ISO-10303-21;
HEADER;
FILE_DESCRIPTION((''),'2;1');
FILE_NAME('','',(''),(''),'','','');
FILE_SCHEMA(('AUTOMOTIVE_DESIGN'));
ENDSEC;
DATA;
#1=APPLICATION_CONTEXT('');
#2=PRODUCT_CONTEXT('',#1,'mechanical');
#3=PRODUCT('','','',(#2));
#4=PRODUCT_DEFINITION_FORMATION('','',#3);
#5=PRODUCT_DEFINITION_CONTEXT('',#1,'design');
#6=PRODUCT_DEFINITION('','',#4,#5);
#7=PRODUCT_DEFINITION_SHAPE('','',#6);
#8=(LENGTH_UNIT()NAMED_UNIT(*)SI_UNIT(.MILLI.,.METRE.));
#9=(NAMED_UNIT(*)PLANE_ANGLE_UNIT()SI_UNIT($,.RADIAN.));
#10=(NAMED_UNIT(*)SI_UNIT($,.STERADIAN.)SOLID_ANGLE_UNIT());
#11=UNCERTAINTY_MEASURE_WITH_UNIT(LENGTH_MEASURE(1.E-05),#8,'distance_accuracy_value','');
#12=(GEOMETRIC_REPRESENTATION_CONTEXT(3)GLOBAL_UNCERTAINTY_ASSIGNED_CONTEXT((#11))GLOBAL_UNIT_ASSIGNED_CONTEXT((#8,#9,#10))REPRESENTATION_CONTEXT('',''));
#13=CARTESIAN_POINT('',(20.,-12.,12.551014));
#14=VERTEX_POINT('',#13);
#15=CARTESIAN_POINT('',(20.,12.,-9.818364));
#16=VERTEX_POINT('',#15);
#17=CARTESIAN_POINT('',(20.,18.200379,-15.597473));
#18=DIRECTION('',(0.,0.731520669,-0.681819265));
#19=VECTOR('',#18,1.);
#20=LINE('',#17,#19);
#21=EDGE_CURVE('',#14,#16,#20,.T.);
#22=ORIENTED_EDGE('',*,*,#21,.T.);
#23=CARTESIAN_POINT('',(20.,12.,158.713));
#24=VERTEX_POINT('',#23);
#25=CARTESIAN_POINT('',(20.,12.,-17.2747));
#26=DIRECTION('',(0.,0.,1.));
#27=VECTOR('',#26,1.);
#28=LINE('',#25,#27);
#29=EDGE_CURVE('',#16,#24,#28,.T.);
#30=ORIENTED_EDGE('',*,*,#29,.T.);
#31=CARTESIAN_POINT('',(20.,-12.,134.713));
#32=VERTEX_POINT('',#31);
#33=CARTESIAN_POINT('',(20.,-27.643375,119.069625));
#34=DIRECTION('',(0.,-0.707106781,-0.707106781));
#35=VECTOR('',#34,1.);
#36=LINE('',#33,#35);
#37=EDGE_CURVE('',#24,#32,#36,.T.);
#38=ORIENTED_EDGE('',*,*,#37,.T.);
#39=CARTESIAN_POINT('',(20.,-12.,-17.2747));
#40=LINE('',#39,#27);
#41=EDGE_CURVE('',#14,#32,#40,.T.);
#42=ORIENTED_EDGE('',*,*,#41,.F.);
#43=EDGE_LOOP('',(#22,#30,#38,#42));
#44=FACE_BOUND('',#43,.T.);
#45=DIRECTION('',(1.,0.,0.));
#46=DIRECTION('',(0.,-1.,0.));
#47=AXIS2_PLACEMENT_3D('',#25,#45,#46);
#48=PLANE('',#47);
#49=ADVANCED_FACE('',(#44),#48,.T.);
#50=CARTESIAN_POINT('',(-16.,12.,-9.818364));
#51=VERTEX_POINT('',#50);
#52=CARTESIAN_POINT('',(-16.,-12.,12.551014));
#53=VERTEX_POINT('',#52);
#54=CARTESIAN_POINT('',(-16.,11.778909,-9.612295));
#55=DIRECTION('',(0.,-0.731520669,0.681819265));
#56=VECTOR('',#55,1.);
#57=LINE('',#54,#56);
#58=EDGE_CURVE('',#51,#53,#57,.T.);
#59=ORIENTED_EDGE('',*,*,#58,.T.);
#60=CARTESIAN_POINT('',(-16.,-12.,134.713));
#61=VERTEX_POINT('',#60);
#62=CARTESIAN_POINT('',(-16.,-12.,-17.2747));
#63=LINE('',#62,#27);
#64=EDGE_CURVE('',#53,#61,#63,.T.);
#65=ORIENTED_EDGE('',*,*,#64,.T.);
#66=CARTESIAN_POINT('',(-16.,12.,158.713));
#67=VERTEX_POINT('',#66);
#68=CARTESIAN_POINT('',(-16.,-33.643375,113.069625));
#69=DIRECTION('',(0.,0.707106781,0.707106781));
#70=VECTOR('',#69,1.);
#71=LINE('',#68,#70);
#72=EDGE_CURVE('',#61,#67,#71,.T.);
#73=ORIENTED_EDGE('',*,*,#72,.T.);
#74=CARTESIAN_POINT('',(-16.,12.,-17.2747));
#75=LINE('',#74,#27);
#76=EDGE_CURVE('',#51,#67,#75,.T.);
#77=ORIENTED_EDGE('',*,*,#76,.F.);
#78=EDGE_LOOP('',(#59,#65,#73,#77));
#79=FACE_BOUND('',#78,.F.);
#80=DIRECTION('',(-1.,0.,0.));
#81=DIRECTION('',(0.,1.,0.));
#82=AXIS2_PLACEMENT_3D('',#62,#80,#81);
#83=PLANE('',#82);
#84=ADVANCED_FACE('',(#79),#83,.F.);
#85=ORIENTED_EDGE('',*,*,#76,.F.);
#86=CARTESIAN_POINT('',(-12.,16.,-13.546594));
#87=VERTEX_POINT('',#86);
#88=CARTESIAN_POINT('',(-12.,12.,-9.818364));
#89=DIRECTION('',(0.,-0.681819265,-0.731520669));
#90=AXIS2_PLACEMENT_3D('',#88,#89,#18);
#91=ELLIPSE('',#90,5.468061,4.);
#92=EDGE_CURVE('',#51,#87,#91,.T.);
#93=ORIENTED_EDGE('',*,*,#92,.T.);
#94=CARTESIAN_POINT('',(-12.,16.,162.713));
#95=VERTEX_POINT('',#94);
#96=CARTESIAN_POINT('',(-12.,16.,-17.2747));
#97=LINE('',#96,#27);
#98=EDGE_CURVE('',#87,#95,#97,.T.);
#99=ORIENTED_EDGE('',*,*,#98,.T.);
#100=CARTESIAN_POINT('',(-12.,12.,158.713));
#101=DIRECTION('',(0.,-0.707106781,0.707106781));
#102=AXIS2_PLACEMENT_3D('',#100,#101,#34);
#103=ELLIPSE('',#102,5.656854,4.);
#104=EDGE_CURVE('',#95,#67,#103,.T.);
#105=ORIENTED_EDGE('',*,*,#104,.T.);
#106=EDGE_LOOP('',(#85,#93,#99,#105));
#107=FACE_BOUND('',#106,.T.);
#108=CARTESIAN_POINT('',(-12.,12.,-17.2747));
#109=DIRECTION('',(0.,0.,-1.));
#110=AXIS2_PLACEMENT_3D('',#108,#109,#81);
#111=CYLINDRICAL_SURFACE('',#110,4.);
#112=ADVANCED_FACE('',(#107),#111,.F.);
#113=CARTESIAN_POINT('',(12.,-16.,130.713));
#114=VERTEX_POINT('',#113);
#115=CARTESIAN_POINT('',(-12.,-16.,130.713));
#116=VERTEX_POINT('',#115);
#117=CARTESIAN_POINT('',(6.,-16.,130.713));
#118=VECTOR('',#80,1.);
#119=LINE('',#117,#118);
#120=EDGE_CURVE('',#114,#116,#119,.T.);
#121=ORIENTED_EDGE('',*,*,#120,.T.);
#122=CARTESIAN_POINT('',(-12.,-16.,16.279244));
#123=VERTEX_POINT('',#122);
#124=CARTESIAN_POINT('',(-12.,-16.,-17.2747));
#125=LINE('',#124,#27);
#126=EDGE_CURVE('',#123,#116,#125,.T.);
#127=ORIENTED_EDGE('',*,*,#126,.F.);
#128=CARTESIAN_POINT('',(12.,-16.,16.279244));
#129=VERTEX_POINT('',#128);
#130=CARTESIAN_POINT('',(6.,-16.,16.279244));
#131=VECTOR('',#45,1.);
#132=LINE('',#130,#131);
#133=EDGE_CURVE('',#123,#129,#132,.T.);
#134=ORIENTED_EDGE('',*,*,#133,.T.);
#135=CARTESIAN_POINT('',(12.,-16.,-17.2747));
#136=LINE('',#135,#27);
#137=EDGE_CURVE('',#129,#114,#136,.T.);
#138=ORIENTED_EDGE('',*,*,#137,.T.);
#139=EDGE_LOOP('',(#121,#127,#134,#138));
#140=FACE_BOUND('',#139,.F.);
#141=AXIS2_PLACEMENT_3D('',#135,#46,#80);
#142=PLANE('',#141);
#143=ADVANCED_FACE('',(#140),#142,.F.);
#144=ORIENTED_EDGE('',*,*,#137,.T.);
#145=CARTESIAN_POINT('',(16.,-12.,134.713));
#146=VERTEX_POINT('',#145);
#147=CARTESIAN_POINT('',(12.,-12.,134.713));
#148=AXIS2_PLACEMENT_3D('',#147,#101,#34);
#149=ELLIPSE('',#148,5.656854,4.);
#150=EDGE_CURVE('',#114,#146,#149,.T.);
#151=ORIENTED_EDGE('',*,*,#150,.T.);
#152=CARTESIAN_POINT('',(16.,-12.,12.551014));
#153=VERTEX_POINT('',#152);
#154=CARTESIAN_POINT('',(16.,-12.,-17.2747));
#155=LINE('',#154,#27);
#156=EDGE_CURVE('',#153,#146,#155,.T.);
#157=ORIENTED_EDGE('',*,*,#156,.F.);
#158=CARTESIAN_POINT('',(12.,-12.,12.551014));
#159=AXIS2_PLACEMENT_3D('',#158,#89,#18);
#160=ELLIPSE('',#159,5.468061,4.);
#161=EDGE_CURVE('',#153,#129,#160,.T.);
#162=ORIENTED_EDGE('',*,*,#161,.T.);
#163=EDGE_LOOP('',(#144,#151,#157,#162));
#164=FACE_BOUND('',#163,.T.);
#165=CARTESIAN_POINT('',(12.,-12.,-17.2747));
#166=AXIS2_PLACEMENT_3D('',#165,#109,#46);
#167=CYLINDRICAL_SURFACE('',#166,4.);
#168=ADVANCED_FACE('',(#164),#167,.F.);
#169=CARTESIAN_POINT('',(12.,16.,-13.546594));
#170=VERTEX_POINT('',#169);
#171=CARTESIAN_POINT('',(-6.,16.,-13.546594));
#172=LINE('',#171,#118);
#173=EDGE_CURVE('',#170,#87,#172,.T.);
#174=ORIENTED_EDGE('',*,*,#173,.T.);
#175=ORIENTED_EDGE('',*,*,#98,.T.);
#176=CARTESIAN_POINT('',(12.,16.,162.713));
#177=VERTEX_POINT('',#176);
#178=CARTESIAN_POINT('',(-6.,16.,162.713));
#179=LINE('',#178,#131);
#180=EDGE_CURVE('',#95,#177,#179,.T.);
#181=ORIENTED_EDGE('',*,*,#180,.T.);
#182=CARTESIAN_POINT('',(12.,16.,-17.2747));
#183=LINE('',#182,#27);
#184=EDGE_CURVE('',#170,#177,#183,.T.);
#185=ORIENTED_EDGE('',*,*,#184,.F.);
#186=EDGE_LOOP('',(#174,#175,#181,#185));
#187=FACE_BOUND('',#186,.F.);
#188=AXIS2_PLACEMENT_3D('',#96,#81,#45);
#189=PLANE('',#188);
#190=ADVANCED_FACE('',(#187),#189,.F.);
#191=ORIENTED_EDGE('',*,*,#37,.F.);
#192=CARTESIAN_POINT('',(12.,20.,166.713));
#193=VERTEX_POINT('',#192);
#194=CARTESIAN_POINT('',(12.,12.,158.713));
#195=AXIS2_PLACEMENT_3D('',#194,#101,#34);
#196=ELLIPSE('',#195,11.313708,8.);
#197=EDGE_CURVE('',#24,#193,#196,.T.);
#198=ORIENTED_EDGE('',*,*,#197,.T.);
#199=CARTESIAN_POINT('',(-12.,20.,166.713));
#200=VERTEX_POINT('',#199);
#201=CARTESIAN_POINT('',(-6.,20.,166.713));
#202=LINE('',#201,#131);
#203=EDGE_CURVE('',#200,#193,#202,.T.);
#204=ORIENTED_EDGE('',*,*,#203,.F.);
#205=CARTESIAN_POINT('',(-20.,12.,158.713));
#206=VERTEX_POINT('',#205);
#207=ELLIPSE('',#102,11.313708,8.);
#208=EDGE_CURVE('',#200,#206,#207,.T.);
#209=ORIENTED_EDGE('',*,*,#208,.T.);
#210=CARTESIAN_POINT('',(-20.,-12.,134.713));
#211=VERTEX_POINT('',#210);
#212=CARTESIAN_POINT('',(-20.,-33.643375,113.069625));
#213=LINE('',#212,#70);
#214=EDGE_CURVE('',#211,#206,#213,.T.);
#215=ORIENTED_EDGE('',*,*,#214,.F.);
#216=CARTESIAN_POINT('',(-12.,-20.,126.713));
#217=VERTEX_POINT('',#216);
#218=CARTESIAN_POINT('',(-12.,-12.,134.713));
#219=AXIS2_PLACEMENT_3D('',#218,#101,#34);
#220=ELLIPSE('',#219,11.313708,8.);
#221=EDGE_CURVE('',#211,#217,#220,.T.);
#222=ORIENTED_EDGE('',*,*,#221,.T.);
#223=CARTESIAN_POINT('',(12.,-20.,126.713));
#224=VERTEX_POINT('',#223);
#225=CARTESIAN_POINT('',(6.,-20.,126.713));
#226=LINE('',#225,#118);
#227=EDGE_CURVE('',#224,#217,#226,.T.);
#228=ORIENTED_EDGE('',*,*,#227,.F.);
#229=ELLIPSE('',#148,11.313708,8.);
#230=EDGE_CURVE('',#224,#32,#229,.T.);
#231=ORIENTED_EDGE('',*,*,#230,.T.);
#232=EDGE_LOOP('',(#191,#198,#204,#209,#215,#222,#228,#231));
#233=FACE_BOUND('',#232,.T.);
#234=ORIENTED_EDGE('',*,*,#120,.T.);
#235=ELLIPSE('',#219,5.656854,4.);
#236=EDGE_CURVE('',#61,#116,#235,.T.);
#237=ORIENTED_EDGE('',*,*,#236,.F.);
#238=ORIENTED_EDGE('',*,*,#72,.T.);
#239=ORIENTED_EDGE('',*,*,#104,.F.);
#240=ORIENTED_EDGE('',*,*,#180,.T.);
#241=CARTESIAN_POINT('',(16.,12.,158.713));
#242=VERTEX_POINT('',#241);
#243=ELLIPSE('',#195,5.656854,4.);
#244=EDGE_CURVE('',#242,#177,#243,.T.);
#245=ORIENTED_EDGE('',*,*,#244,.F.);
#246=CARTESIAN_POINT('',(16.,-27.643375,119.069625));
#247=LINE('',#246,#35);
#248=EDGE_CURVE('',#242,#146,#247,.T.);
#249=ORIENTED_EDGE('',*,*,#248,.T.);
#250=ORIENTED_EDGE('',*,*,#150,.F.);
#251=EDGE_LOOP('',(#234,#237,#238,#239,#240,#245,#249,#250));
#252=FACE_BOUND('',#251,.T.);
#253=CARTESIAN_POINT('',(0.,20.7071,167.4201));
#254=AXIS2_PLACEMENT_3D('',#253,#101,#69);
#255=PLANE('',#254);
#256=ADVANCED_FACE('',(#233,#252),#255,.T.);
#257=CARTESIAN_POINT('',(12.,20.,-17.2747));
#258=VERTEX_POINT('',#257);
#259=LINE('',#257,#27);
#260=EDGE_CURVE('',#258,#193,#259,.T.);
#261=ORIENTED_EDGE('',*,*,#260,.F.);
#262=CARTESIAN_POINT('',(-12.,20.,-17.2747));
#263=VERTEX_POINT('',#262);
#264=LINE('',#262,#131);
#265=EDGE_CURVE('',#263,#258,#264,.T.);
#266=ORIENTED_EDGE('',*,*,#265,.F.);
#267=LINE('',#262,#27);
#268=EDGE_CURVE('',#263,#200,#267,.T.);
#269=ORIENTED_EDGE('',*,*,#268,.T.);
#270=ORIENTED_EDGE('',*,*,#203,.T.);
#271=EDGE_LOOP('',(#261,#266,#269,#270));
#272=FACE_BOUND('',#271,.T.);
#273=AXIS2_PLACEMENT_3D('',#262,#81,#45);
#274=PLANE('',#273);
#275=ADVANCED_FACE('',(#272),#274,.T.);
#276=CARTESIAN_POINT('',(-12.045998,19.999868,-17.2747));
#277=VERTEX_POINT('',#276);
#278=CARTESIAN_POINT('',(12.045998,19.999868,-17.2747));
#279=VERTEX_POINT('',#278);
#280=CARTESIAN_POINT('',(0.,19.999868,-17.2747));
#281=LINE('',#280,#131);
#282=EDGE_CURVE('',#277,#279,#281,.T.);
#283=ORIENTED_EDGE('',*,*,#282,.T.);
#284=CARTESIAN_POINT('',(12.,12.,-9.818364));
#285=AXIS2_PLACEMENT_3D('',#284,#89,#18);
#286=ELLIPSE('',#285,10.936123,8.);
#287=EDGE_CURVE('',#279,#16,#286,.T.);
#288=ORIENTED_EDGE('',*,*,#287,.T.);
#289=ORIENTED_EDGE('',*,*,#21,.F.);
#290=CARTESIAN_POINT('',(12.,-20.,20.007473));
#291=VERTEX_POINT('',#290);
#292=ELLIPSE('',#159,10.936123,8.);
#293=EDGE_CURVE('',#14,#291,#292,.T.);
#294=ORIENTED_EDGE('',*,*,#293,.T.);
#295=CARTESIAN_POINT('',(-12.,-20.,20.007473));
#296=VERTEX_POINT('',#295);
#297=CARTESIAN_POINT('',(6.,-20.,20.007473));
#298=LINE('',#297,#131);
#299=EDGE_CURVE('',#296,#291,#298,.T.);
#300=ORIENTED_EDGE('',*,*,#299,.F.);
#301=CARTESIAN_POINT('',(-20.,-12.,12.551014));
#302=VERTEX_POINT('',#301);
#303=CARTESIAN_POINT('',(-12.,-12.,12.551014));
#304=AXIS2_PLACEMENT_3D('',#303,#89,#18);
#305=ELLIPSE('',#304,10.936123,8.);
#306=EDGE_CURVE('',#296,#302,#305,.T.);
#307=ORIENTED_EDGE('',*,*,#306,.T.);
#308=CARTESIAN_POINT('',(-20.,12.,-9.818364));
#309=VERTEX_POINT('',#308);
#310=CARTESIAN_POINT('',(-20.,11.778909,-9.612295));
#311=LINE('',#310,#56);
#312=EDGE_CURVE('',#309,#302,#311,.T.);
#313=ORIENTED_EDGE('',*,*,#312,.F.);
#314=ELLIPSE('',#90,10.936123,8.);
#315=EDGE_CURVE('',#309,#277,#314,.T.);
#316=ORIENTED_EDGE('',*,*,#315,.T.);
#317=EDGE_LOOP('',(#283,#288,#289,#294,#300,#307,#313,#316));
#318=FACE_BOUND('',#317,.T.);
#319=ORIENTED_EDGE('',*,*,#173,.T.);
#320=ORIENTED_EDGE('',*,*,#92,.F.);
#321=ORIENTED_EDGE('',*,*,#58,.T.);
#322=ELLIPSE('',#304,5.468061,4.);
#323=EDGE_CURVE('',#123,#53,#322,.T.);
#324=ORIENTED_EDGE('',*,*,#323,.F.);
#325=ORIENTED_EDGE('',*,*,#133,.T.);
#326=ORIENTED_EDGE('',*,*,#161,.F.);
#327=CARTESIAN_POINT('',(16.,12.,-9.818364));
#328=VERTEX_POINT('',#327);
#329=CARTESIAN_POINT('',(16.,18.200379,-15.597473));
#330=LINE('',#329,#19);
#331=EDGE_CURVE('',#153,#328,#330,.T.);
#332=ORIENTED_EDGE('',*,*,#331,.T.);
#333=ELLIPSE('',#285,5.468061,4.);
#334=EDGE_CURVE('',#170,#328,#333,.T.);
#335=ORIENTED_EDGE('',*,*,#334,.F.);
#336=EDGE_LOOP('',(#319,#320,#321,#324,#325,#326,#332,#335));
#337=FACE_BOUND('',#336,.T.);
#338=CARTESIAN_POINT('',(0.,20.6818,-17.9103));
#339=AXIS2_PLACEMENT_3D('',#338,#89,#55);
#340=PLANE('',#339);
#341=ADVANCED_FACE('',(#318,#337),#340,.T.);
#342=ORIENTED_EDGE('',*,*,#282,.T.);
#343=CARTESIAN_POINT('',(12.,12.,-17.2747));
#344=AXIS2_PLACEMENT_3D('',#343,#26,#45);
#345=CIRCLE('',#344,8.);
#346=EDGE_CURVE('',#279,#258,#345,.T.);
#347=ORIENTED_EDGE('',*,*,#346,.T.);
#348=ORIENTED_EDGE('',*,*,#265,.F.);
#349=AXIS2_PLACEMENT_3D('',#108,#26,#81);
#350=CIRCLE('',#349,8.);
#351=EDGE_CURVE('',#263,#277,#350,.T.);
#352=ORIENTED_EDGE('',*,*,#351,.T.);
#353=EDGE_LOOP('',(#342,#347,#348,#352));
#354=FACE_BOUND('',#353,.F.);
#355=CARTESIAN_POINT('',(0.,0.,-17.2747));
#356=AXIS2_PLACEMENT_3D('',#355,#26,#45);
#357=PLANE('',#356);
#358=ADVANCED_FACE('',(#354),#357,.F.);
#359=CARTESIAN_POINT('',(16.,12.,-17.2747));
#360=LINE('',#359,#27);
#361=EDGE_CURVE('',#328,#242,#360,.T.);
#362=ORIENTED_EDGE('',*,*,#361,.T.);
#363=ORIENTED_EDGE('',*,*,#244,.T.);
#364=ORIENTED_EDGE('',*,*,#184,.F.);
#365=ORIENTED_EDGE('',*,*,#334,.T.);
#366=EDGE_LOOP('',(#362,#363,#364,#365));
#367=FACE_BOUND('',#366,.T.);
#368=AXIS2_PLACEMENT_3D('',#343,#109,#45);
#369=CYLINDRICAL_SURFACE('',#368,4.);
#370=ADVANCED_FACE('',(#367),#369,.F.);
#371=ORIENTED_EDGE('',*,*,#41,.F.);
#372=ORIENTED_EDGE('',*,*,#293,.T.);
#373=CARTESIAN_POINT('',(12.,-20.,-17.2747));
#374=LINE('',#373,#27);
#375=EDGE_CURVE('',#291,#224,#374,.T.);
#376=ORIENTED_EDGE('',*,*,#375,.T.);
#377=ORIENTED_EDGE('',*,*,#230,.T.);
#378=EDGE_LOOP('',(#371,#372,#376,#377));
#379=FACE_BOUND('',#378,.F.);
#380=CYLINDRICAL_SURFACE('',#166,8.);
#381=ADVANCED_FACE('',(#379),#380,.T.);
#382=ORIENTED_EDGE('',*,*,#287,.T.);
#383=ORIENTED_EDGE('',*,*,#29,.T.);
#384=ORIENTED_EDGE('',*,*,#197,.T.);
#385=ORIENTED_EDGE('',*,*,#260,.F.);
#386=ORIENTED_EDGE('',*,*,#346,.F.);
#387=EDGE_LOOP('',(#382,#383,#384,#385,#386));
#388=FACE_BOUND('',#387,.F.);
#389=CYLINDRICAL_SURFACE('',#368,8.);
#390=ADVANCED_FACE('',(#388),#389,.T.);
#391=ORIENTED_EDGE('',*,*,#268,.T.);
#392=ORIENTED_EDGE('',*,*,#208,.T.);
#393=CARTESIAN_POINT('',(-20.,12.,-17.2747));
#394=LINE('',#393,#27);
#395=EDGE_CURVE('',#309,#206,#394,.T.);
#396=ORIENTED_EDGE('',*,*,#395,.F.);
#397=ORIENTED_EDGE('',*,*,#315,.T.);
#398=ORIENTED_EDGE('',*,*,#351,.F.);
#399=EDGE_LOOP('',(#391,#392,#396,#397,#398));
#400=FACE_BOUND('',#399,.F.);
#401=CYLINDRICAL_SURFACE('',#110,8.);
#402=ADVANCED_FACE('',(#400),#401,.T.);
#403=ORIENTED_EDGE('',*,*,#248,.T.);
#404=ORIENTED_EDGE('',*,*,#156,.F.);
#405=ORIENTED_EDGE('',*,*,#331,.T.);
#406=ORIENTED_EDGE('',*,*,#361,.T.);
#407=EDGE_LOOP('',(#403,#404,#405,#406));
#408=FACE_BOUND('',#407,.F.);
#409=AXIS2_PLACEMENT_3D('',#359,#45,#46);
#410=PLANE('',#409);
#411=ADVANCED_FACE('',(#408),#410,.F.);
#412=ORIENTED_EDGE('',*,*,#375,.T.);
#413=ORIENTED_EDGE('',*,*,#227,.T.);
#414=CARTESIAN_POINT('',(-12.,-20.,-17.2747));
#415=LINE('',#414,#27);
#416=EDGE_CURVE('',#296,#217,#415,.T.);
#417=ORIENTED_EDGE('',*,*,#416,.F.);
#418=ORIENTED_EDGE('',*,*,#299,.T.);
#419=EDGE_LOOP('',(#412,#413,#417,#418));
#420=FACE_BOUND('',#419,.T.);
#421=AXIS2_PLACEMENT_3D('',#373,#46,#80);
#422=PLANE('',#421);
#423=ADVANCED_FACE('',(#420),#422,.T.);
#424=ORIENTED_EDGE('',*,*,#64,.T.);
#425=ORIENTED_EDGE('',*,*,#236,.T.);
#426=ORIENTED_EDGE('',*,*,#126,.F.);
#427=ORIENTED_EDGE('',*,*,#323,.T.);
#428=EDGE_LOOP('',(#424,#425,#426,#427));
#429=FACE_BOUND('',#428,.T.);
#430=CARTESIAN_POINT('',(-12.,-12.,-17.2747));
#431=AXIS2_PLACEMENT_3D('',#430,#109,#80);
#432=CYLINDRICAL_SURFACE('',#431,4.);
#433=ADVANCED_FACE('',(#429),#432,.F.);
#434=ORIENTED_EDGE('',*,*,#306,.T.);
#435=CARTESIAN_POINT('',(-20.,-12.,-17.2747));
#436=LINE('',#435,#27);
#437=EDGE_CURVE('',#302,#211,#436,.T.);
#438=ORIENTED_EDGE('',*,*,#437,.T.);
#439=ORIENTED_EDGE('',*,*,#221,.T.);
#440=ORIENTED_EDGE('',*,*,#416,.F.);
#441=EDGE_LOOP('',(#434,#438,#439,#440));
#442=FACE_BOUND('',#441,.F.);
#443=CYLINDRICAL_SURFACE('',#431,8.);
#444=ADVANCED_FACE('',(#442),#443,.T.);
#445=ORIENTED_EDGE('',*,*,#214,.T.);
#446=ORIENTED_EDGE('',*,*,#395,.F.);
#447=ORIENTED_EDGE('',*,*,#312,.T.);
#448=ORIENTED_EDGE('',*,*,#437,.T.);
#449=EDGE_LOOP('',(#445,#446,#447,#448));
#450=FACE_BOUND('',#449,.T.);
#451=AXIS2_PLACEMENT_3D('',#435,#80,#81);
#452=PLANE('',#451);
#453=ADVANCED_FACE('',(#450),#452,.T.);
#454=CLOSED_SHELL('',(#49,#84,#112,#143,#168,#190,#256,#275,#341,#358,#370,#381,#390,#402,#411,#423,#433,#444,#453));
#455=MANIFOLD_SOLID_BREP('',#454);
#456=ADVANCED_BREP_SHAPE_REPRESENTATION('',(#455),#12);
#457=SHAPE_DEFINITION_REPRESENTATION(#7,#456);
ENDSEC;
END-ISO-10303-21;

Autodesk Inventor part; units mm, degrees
ref_plane "Start Plane" through (0, 0, -17.2747) normal (0, 0, 1) x (1, 0, 0)
ref_plane "End Plane" through (0, 0, 166.713) normal (0, 0, 1) x (1, 0, 0)
sketch "Sketch" plane through (0, 0, 0) normal (0, 0, 1) x (1, 0, 0)
  line L0 (-20, -12) -> (-20, 12)
  line L1 (-12, 20) -> (12, 20)
  line L2 (20, 12) -> (20, -12)
  line L3 (12, -20) -> (-12, -20)
  arc A0 (-20, -12) -> (-12, -20) centre (-12, -12) ccw
  arc A1 (20, 12) -> (12, 20) centre (12, 12) ccw
  arc A2 (-12, 20) -> (-20, 12) centre (-12, 12) ccw
  arc A3 (12, -20) -> (20, -12) centre (12, -12) ccw
  arc A4 (-12, 16) -> (-16, 12) centre (-12, 12) ccw
  line L4 (-12, 16) -> (12, 16)
  arc A5 (16, 12) -> (12, 16) centre (12, 12) ccw
  line L5 (16, 12) -> (16, -12)
  arc A6 (12, -16) -> (16, -12) centre (12, -12) ccw
  line L6 (12, -16) -> (-12, -16)
  arc A7 (-16, -12) -> (-12, -16) centre (-12, -12) ccw
  line L7 (-16, -12) -> (-16, 12)
  line L8 (0, 30.3196) -> (0, -30.3196) construction
  line L9 (-30.3196, 0) -> (30.3196, 0) construction
  dimension "d7" = 8
  dimension "d9" = 40
  dimension "d11" = 40
  dimension "d12" = 4
  dimension "d15" = 20
  dimension "d16" = 20
extrude "Body" add sketch "Sketch" along normal up to surface (183.9878 mm away) from surface at -17.2747
sketch "Sketch3" plane through (0, 0, 0) normal (0, 0, 1) x (1, 0, 0)
  line L0 (0, 0) -> (10, 0)
ref_plane "Work Plane3" through (0, 0, 0) normal (0, -1, 0) x (1, 0, 0)
ref_plane "Work Plane4" through (0, 20.6818, -17.9103) normal (0, -0.6818, -0.7315) x (1, 0, 0)
split "Split1" plane through (0, 20.6818, -17.9103) removes the side toward (0, -0.6818, -0.7315)
ref_plane "Work Plane5" through (0, 20.7071, 167.4201) normal (0, -0.7071, 0.7071) x (1, 0, 0)
split "Split2" plane through (0, 20.7071, 167.4201) removes the side toward (0, -0.7071, 0.7071)
sketch "Sketch4" plane through (0, 0, 0) normal (0, -1, 0) x (1, 0, 0)
  line L0 (-2, -17.2747) -> (12, -17.2747) projected
  line L1 (-2, 166.713) -> (12, 166.713) projected
  dimension "d18" = 183.9878
equation "\"d7\" = G_IR"
equation "\"d9\" = G_W"
equation "\"d11\" = G_H"
equation "\"d12\" = G_T"
equation "\"d15\" = 0.5 * d9"
equation "\"d16\" = 0.5 * d11"
equation "\"d3\" = G_L"
equation "\"G_W\" = 40"
equation "\"G_H\" = 40"
equation "\"G_T\" = 4"
equation "\"G_IR\" = 8"
equation "\"G_L\" = d18"
equation "\"G_OFFSET_START\" = 17.27474"
equation "\"G_OFFSET_END\" = 18.58579"
equation "\"d13\" = -G_OFFSET_START"
equation "\"d14\" = G_OFFSET_END + B_L"
equation "\"B_L\" = 148.12723"
properties part number "ISO 10799-2 - 40x40x4 - 183,99" material "Steel, Mild"
